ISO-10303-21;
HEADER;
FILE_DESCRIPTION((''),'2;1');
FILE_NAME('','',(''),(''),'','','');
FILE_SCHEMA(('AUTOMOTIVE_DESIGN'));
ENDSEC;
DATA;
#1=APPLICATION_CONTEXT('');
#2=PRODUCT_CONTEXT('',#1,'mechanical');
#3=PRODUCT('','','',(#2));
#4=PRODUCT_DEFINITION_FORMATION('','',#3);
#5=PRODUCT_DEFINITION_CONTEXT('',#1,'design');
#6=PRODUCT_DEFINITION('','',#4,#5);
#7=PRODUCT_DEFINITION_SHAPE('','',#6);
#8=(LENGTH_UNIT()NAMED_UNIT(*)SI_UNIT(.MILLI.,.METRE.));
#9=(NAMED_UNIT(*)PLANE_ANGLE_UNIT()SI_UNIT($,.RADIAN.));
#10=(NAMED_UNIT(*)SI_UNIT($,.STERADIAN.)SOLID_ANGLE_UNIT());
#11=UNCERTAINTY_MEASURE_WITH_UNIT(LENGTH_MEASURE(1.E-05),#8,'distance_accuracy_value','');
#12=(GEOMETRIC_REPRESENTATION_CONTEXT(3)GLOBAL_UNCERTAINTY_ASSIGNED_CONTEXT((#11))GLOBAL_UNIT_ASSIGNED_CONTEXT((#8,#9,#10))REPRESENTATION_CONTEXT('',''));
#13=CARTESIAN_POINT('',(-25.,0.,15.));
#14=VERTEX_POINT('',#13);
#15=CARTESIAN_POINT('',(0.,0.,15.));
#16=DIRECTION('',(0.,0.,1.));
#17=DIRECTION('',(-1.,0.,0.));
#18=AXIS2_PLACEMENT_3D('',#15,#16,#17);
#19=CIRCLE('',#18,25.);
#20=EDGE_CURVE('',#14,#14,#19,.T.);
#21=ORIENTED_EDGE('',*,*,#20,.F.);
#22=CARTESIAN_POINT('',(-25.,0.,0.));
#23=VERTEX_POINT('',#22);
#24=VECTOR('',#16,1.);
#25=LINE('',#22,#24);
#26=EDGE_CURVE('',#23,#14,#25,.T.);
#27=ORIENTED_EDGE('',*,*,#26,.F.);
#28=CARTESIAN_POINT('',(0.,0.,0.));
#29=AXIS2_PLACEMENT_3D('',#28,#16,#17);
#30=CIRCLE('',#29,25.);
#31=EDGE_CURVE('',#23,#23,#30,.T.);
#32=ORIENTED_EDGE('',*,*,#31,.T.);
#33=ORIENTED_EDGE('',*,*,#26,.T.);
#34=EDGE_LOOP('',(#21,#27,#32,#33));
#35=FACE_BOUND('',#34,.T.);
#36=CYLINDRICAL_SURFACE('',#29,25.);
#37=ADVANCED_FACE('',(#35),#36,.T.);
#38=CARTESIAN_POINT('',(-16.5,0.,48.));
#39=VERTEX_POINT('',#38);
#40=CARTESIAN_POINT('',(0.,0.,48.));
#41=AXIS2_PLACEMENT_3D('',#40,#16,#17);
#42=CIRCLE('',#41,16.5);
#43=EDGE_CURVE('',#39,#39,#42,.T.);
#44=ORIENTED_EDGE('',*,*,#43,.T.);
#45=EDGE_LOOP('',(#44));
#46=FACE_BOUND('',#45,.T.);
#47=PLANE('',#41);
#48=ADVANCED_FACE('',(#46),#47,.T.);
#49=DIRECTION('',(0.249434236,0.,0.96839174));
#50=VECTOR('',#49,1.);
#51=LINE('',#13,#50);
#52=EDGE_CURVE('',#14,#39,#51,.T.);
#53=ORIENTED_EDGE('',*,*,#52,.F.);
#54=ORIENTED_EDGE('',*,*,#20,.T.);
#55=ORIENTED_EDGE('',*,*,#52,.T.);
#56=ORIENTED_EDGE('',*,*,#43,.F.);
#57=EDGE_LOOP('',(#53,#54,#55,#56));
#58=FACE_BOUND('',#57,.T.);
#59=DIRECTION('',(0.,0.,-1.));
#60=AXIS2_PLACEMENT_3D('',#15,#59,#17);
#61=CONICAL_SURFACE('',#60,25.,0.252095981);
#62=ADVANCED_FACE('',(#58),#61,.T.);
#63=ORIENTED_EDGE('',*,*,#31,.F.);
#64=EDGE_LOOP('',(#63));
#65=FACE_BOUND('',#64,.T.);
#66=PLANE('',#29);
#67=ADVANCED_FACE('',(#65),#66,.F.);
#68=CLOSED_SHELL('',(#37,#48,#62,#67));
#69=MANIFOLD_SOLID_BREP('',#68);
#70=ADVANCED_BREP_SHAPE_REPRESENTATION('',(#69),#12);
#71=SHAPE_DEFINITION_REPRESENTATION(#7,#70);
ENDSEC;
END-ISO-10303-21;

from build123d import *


with BuildPart() as part:
    # Sketch → Revolution (revolve)
    with BuildSketch(Plane.XZ):
        Polygon((0, 0), (-25, 0), (-25, 15), (-16.5, 48), (0, 48), align=None)
    revolve(axis=Axis((0, 0, 0), (0, 0, 1)))


solid = part.part
